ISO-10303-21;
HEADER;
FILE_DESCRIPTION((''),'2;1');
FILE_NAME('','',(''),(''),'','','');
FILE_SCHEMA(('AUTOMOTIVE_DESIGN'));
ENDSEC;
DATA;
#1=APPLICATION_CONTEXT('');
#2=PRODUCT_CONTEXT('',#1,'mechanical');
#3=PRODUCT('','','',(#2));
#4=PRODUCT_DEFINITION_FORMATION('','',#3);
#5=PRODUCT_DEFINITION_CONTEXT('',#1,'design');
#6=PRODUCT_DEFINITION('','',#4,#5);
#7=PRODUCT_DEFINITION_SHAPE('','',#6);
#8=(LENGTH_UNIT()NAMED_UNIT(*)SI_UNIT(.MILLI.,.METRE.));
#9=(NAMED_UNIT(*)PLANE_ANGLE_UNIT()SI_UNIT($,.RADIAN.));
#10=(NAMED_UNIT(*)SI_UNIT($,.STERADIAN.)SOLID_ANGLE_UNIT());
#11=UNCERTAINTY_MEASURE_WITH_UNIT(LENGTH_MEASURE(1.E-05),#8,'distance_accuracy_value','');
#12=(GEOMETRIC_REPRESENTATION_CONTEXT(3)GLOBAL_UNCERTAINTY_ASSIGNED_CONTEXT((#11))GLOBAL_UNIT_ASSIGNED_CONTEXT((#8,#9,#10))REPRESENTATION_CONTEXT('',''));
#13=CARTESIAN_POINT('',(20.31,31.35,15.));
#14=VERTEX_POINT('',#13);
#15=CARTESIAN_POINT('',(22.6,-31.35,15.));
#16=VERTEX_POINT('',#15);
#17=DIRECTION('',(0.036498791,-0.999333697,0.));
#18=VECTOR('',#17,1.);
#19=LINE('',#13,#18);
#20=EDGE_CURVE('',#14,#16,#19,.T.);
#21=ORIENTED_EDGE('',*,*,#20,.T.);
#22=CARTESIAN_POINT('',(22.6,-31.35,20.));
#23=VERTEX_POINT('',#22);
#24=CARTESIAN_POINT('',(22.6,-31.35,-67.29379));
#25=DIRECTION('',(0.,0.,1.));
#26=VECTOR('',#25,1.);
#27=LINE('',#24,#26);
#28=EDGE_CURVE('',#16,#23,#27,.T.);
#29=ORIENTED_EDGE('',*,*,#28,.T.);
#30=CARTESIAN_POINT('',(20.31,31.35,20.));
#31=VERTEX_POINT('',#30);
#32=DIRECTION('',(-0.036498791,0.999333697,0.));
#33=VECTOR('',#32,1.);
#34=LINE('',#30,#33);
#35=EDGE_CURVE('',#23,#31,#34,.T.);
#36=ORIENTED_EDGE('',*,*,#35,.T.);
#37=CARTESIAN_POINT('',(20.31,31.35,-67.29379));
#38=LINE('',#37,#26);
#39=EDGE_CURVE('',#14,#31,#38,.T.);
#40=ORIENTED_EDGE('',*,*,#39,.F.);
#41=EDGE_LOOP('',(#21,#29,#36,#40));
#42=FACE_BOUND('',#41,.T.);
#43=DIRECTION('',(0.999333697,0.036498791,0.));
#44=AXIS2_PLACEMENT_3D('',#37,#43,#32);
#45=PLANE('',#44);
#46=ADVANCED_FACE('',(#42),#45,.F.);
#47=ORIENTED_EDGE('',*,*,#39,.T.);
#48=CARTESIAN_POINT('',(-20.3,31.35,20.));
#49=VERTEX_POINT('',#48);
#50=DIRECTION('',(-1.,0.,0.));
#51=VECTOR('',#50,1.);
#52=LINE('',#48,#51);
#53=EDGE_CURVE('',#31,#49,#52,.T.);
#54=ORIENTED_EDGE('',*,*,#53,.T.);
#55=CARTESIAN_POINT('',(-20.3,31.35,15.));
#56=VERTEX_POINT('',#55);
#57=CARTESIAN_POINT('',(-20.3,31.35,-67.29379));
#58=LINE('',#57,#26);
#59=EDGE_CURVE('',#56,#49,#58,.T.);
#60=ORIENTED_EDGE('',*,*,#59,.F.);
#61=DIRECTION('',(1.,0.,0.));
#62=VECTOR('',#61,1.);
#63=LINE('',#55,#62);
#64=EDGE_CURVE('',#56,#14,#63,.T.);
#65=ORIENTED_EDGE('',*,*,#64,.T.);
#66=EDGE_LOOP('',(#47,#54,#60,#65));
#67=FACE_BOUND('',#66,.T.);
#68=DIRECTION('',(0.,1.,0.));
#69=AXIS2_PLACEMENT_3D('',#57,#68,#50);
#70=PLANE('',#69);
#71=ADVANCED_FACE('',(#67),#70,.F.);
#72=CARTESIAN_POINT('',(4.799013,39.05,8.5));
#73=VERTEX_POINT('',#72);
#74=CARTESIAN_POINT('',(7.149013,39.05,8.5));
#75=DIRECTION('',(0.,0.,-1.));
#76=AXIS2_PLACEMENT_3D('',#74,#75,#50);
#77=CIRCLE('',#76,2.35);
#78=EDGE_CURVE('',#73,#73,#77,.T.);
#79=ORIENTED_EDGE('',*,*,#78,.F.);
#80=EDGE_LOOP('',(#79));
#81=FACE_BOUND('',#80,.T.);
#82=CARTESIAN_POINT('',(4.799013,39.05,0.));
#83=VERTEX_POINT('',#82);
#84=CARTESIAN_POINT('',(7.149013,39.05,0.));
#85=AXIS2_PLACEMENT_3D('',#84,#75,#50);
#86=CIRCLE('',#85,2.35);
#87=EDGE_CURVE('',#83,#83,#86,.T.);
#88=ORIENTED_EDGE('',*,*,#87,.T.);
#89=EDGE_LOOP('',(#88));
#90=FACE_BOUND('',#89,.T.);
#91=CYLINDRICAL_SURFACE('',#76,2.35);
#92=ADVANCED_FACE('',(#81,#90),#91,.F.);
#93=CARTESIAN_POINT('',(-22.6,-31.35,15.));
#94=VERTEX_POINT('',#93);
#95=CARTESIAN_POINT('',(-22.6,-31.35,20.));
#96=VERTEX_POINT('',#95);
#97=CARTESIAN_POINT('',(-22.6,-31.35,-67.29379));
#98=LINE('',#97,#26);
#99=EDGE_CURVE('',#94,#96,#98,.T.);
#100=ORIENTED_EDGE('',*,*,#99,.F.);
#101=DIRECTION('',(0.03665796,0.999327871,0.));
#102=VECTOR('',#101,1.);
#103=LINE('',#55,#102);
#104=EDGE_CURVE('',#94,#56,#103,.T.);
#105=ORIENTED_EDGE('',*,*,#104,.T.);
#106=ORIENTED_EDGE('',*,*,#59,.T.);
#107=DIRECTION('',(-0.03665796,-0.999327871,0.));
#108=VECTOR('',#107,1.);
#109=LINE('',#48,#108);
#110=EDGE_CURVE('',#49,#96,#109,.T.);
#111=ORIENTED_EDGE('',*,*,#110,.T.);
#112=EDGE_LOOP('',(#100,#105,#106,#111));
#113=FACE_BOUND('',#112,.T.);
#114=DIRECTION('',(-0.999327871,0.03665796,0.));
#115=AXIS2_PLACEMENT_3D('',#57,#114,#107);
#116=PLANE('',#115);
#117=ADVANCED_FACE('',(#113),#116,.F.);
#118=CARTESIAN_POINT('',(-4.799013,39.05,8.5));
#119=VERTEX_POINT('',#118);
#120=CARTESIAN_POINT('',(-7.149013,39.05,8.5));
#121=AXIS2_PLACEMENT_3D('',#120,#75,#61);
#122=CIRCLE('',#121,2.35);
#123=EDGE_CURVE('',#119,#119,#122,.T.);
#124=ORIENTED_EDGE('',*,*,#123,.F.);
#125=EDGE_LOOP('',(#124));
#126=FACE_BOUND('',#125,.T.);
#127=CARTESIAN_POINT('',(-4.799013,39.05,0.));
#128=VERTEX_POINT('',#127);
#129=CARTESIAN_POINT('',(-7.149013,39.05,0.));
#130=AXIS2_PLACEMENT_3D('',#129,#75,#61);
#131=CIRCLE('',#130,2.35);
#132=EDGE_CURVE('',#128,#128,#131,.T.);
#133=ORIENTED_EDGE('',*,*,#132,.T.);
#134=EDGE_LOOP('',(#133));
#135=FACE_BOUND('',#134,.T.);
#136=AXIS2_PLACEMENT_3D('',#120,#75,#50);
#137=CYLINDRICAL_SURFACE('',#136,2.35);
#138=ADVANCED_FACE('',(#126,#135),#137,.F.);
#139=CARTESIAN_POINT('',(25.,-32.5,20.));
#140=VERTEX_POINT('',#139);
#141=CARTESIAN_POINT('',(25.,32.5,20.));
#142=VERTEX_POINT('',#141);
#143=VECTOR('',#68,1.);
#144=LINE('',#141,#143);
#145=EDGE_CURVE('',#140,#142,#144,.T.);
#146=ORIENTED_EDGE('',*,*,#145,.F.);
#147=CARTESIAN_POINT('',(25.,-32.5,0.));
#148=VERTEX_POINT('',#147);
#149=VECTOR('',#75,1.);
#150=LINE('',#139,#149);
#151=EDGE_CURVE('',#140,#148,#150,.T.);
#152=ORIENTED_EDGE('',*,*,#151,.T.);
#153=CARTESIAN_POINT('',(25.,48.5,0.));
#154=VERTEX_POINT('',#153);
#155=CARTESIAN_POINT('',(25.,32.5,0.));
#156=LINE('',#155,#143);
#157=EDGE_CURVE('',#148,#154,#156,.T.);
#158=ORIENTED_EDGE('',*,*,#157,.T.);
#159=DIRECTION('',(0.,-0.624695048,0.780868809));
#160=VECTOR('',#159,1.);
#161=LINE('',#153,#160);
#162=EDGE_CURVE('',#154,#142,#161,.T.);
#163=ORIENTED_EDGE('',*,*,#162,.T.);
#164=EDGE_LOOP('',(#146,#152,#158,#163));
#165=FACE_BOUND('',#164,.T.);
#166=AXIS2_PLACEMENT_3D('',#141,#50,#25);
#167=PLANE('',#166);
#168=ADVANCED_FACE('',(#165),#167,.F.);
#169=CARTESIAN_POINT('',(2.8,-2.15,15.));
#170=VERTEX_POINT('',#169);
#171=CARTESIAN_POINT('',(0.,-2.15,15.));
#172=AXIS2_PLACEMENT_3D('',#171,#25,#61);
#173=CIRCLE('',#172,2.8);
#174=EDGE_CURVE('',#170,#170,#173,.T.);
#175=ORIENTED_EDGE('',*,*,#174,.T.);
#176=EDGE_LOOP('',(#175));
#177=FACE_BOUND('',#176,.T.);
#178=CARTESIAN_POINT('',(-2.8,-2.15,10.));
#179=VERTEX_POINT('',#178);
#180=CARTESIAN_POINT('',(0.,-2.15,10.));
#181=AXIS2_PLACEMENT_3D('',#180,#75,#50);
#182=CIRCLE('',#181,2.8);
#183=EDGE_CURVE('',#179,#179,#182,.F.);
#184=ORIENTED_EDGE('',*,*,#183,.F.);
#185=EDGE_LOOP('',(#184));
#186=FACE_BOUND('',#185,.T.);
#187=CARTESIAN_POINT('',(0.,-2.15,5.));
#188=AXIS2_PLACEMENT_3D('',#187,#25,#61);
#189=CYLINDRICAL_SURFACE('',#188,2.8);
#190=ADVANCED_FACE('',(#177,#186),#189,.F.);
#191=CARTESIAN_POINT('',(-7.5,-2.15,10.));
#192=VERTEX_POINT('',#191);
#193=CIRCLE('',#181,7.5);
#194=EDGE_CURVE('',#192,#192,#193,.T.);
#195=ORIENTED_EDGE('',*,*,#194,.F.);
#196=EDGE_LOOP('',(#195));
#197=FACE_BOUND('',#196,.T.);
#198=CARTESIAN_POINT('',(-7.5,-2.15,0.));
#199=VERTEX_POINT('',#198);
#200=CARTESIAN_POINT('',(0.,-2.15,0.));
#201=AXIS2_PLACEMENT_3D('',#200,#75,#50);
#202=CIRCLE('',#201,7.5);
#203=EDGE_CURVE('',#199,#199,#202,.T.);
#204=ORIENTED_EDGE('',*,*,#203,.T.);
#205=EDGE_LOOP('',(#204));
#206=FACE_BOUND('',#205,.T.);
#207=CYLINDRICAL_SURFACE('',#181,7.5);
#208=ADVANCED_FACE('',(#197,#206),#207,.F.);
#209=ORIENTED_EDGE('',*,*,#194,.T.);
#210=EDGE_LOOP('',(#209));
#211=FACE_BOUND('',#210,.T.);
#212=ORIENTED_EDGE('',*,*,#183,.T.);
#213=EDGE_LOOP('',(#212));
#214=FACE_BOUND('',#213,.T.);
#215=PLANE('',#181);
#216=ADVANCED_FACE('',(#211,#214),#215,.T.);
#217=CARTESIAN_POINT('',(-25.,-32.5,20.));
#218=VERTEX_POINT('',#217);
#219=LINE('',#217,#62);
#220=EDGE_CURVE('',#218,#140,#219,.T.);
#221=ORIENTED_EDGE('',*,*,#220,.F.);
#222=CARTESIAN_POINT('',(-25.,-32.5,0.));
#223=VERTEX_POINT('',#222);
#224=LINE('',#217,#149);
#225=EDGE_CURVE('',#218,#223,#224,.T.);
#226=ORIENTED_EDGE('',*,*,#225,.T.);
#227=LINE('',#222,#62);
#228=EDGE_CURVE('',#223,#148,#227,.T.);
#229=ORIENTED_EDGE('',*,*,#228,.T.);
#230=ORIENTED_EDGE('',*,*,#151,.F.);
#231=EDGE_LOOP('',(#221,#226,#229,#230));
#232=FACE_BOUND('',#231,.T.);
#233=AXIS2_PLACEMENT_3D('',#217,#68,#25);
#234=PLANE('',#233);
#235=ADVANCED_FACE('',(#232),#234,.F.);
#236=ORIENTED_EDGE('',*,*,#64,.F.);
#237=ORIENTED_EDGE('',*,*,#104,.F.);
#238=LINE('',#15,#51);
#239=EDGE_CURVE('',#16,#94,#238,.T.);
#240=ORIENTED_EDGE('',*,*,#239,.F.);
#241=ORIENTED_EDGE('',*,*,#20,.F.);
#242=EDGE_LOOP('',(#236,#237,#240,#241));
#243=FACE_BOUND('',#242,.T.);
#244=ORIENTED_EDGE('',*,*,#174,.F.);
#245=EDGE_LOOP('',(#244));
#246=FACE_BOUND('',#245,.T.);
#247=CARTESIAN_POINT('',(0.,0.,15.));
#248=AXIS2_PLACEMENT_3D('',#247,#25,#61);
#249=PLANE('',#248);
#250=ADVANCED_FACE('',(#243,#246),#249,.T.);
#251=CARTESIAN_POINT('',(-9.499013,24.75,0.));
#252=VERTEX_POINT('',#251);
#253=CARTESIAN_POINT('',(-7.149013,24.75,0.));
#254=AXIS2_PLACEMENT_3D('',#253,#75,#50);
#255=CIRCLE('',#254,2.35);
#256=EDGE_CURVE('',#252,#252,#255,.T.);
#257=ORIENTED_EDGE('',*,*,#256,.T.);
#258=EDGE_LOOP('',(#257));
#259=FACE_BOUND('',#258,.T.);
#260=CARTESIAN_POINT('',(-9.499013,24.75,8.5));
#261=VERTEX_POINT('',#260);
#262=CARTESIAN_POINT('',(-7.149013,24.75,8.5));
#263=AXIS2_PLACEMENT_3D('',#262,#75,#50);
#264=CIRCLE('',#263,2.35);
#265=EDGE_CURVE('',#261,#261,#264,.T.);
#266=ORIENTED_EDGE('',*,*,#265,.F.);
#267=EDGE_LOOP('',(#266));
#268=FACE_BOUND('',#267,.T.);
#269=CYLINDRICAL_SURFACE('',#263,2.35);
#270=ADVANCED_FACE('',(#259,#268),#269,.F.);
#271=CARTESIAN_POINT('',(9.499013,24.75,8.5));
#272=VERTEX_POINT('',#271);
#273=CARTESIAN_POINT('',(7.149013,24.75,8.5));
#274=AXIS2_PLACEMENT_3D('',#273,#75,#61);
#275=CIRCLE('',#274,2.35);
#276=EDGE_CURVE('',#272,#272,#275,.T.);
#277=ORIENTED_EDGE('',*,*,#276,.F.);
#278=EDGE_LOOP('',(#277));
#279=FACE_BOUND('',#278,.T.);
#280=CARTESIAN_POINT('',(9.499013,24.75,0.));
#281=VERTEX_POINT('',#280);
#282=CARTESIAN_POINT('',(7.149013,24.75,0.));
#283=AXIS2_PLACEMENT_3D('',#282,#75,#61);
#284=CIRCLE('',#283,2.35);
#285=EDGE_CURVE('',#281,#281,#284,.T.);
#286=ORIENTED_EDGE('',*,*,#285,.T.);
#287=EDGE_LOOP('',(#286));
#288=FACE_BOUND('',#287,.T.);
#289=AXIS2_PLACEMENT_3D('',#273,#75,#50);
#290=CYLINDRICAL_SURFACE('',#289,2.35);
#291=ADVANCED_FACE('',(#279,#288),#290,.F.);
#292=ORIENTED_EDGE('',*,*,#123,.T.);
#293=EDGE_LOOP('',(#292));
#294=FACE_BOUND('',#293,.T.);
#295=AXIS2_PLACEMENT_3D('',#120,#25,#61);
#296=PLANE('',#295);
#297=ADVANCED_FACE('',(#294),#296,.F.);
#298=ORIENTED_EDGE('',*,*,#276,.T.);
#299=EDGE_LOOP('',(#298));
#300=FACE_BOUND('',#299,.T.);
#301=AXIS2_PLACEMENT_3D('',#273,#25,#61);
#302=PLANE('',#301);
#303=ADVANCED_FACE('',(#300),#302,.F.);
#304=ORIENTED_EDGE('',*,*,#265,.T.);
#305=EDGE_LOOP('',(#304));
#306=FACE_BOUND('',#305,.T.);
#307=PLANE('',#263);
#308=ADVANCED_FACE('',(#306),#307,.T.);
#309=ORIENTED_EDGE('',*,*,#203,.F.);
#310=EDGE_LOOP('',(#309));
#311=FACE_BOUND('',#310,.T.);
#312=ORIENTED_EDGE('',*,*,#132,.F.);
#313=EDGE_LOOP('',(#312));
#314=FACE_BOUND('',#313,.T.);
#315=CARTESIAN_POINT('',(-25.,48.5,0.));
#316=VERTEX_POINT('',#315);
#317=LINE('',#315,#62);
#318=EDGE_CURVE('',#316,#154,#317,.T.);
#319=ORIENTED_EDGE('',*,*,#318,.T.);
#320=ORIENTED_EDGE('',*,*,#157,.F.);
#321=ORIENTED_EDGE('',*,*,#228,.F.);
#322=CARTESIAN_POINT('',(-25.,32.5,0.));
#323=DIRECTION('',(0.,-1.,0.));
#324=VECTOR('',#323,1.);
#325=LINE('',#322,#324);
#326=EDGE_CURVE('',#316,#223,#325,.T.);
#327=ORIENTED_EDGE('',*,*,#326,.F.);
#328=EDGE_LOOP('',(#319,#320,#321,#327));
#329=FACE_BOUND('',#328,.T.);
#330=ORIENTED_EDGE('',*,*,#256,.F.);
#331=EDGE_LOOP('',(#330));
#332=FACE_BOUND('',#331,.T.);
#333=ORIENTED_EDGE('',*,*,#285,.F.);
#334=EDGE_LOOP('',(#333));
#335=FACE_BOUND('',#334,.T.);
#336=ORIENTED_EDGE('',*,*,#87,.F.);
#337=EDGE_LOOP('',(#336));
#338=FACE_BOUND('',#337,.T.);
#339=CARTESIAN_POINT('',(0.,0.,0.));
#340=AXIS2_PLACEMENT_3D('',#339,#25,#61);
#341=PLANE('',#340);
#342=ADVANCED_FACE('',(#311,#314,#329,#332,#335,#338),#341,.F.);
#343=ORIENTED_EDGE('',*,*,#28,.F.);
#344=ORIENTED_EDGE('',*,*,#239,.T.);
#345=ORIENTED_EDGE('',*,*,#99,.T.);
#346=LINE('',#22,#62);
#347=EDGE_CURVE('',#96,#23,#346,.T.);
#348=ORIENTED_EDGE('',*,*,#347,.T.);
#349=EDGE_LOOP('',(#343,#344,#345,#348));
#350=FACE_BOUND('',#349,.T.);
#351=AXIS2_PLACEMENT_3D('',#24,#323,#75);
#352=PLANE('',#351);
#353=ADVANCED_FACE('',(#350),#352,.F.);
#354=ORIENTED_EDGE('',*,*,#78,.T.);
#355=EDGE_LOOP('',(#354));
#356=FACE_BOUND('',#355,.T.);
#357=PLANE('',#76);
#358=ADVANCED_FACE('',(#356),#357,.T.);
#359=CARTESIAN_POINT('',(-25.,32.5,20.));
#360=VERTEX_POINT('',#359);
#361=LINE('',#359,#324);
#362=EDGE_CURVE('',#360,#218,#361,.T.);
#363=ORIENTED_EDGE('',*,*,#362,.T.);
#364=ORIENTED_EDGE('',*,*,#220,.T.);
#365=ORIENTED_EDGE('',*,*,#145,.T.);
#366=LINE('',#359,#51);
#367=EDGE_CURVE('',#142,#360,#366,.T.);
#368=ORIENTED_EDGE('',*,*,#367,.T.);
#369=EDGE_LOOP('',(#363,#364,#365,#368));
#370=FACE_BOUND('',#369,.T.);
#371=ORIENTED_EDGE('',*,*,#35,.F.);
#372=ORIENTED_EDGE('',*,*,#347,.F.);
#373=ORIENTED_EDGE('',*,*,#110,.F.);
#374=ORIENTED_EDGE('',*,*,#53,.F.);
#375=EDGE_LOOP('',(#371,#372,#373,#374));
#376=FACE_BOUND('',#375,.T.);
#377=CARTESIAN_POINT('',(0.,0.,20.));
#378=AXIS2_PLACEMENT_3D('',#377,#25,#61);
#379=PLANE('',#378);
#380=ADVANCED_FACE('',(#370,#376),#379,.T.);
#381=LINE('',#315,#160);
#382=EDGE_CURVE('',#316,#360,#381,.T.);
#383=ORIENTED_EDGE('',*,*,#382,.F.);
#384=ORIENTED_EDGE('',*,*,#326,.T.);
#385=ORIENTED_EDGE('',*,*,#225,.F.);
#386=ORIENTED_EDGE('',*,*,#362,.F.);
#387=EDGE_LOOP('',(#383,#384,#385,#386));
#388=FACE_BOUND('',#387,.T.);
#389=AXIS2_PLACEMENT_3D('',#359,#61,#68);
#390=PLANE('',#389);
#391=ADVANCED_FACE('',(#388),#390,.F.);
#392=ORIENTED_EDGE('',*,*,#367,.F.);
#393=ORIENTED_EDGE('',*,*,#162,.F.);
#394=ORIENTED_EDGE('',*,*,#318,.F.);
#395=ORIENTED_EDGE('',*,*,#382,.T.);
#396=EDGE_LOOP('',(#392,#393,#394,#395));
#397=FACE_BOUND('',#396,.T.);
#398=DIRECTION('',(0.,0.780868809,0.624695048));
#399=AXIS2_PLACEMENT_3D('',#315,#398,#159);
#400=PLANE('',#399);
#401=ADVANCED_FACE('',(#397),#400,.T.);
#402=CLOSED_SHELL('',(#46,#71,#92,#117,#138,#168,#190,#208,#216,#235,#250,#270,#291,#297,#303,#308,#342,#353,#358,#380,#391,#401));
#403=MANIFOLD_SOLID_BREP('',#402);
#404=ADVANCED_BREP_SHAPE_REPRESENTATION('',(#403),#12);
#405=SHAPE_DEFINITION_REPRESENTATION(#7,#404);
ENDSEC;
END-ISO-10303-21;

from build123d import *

# Parameters (mm, degrees)
SKICA1_W                 = 50
SKICA1_H                 = 65
P_IDAT_VYSUNUT_M1_DEPTH  = 20
P_IDAT_VYSUNUT_M2_DEPTH  = 50
ODEBRAT_VYSUNUT_M1_DEPTH = 5
SKICA8_R                 = 2.35
ODEBRAT_VYSUNUT_M4_DEPTH = 8.5
SKICA6_R                 = 2.8
ODEBRAT_VYSUNUT_M7_DEPTH = 10
SKICA7_R                 = 7.5
ODEBRAT_VYSUNUT_M8_DEPTH = 10


with BuildPart() as part:
    # Skica1 → Přidat vysunutím1 (new body)
    with BuildSketch(Plane.XY):
        Rectangle(SKICA1_W, SKICA1_H)
    extrude(amount=P_IDAT_VYSUNUT_M1_DEPTH)

    # Skica3 → Přidat vysunutím2 (add, through all)
    with BuildSketch(Plane(origin=(25, 0, 0), x_dir=(0, 0, -1), z_dir=(1, 0, 0))):
        Polygon((0, 32.5), (0, 48.5), (-20, 32.5), align=None)
    extrude(amount=-P_IDAT_VYSUNUT_M2_DEPTH)

    # Skica5 → Odebrat vysunutím1 (cut)
    with BuildSketch(Plane.XY.offset(20)):
        Polygon((-20.3, 31.35), (20.31, 31.35), (22.6, -31.35), (-22.6, -31.35), align=None)
    extrude(amount=-ODEBRAT_VYSUNUT_M1_DEPTH, mode=Mode.SUBTRACT)

    # Skica8 → Odebrat vysunutím4 (cut)
    with BuildSketch(Plane(origin=(0, 0, 0), x_dir=(-1, 0, 0), z_dir=(0, 0, -1))):
        with Locations((7.14901322, 24.75)):
            Circle(SKICA8_R)
        with Locations(Location((-7.14901322, 24.75, 0), (0, 0, 180))):
            Circle(SKICA8_R)
        with Locations(Location((7.14901322, 39.05, 0), (0, 0, 180))):
            Circle(SKICA8_R)
        with Locations((-7.14901322, 39.05)):
            Circle(SKICA8_R)
    extrude(amount=-ODEBRAT_VYSUNUT_M4_DEPTH, mode=Mode.SUBTRACT)

    # Skica6 → Odebrat vysunutím7 (cut)
    with BuildSketch(Plane.XY.offset(15)):
        with Locations((0, -2.15)):
            Circle(SKICA6_R)
    extrude(amount=-ODEBRAT_VYSUNUT_M7_DEPTH, mode=Mode.SUBTRACT)

    # Skica7 → Odebrat vysunutím8 (cut)
    with BuildSketch(Plane(origin=(0, 0, 0), x_dir=(-1, 0, 0), z_dir=(0, 0, -1))):
        with Locations((0, -2.15)):
            Circle(SKICA7_R)
    extrude(amount=-ODEBRAT_VYSUNUT_M8_DEPTH, mode=Mode.SUBTRACT)


solid = part.part
